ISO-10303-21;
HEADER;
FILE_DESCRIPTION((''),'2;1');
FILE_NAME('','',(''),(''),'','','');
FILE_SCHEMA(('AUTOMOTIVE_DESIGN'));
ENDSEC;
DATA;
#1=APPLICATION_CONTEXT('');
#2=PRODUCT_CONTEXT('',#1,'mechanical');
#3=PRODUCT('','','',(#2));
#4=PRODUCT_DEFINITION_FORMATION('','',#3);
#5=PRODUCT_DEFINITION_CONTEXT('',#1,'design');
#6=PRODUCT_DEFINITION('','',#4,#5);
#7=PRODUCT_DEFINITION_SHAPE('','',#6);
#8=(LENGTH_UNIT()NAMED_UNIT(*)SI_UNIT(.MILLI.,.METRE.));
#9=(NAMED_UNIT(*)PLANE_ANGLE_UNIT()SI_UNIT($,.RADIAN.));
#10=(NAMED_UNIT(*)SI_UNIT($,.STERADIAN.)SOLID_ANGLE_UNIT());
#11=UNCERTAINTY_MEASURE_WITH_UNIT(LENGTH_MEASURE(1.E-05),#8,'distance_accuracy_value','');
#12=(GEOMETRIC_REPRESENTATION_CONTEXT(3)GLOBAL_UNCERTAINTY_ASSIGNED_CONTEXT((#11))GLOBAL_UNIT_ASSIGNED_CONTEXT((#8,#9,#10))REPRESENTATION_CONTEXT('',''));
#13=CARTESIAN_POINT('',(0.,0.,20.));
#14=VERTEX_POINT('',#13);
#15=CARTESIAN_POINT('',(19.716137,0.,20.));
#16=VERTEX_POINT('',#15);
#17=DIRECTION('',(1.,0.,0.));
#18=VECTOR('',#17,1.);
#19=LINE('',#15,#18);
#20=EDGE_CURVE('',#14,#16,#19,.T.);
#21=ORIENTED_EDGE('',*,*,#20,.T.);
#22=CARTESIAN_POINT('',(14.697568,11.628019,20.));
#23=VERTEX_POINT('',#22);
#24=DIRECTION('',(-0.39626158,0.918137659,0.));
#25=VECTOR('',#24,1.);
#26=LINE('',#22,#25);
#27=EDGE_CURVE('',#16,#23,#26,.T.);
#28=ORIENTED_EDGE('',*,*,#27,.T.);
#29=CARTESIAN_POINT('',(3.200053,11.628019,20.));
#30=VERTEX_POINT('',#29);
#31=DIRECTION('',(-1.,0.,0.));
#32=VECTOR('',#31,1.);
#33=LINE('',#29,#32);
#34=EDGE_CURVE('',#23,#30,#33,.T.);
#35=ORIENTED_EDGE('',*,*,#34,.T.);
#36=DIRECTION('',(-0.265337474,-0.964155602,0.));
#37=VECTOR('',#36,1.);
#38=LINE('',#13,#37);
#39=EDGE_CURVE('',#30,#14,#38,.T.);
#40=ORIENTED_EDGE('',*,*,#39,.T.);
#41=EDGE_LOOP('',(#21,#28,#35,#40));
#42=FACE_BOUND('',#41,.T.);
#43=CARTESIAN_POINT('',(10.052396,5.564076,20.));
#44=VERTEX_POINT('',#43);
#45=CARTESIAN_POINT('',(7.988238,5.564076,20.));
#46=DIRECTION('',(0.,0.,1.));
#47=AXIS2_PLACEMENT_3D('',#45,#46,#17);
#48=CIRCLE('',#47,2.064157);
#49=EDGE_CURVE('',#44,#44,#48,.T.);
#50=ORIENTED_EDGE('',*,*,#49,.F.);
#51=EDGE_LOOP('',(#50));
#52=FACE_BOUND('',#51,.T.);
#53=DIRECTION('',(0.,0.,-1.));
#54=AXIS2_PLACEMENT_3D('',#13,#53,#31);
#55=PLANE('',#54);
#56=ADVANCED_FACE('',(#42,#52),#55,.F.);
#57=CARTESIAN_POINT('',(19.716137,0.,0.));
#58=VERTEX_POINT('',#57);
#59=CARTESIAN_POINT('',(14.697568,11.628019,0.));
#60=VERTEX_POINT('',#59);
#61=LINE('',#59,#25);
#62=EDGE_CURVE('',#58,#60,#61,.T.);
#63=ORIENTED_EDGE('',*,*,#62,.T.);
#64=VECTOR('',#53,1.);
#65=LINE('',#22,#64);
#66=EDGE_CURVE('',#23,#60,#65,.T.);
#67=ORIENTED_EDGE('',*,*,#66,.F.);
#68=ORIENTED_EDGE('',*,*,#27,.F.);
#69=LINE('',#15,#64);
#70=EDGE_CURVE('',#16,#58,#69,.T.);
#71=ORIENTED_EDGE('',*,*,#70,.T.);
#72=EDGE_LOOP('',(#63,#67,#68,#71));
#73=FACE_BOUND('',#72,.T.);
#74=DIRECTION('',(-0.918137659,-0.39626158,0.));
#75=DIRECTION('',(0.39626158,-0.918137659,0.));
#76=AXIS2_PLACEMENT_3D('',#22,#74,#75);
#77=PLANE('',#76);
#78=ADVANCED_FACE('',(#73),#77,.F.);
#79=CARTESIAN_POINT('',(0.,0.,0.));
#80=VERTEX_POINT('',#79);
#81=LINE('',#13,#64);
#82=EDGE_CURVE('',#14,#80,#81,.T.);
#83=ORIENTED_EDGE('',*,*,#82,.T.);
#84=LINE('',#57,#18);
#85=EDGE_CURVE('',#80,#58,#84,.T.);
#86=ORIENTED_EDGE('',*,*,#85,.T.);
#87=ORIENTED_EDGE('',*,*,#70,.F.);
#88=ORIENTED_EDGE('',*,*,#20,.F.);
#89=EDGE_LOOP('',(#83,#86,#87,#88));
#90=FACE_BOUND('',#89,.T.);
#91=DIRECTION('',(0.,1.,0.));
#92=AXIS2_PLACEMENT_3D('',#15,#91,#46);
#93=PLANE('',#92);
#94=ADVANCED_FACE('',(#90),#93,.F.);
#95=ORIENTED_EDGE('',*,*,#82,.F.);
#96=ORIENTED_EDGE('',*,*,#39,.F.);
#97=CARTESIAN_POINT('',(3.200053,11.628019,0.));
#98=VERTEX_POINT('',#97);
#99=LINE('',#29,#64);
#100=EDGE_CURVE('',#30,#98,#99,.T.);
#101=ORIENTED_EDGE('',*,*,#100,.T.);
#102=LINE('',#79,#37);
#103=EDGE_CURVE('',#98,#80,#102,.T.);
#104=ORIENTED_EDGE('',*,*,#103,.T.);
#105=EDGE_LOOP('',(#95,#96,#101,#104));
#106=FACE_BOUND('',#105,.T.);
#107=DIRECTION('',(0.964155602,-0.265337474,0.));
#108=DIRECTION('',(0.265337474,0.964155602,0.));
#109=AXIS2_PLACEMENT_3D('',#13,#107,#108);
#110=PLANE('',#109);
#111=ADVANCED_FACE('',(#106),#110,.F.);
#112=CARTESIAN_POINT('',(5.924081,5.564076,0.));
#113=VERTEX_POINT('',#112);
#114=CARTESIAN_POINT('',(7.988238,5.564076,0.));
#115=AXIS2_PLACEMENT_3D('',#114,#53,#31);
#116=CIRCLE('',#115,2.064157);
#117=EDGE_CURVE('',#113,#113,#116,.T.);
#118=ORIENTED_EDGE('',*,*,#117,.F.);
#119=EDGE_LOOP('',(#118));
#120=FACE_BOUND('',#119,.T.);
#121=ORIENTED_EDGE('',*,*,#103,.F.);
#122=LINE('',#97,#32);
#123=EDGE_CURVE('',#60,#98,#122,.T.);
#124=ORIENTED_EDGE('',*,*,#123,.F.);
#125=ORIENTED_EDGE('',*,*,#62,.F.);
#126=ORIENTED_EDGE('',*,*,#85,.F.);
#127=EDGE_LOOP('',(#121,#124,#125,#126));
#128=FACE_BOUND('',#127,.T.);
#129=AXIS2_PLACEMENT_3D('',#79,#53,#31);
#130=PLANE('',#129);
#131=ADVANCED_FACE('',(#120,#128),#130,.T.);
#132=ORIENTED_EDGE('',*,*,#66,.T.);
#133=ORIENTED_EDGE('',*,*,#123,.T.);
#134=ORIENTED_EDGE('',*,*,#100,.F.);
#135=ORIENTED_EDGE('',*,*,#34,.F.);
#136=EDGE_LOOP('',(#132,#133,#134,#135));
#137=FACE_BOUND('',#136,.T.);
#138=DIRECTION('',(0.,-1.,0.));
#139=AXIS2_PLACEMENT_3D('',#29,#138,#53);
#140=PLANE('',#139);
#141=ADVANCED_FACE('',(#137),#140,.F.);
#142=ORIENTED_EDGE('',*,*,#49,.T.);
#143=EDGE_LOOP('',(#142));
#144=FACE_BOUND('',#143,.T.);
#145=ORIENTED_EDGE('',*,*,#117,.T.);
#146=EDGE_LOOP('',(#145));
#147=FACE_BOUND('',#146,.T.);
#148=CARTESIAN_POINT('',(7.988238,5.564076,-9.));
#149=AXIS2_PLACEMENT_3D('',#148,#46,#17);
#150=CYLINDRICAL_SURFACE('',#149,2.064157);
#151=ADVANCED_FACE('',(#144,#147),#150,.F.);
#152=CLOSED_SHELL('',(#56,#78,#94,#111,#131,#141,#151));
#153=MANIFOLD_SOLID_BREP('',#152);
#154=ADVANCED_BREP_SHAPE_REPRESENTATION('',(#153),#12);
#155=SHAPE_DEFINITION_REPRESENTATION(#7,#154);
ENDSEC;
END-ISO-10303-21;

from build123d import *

# Parameters (mm, degrees)
BOSS_EXTRUDE1_DEPTH = 20
SKETCH2_R           = 2.064157156
CUT_EXTRUDE1_DEPTH  = 29


with BuildPart() as part:
    # Sketch1 → Boss-Extrude1 (new body)
    with BuildSketch(Plane.XY):
        Polygon((0, 0), (3.200053223, 11.628019174), (14.697567734, 11.628019174), (19.7161368, 0), align=None)
    extrude(amount=BOSS_EXTRUDE1_DEPTH)

    # Sketch2 → Cut-Extrude1 (cut)
    with BuildSketch(Plane.XY.offset(20)):
        with Locations((7.988238497, 5.564076228)):
            Circle(SKETCH2_R)
    extrude(amount=-CUT_EXTRUDE1_DEPTH, mode=Mode.SUBTRACT)


solid = part.part
